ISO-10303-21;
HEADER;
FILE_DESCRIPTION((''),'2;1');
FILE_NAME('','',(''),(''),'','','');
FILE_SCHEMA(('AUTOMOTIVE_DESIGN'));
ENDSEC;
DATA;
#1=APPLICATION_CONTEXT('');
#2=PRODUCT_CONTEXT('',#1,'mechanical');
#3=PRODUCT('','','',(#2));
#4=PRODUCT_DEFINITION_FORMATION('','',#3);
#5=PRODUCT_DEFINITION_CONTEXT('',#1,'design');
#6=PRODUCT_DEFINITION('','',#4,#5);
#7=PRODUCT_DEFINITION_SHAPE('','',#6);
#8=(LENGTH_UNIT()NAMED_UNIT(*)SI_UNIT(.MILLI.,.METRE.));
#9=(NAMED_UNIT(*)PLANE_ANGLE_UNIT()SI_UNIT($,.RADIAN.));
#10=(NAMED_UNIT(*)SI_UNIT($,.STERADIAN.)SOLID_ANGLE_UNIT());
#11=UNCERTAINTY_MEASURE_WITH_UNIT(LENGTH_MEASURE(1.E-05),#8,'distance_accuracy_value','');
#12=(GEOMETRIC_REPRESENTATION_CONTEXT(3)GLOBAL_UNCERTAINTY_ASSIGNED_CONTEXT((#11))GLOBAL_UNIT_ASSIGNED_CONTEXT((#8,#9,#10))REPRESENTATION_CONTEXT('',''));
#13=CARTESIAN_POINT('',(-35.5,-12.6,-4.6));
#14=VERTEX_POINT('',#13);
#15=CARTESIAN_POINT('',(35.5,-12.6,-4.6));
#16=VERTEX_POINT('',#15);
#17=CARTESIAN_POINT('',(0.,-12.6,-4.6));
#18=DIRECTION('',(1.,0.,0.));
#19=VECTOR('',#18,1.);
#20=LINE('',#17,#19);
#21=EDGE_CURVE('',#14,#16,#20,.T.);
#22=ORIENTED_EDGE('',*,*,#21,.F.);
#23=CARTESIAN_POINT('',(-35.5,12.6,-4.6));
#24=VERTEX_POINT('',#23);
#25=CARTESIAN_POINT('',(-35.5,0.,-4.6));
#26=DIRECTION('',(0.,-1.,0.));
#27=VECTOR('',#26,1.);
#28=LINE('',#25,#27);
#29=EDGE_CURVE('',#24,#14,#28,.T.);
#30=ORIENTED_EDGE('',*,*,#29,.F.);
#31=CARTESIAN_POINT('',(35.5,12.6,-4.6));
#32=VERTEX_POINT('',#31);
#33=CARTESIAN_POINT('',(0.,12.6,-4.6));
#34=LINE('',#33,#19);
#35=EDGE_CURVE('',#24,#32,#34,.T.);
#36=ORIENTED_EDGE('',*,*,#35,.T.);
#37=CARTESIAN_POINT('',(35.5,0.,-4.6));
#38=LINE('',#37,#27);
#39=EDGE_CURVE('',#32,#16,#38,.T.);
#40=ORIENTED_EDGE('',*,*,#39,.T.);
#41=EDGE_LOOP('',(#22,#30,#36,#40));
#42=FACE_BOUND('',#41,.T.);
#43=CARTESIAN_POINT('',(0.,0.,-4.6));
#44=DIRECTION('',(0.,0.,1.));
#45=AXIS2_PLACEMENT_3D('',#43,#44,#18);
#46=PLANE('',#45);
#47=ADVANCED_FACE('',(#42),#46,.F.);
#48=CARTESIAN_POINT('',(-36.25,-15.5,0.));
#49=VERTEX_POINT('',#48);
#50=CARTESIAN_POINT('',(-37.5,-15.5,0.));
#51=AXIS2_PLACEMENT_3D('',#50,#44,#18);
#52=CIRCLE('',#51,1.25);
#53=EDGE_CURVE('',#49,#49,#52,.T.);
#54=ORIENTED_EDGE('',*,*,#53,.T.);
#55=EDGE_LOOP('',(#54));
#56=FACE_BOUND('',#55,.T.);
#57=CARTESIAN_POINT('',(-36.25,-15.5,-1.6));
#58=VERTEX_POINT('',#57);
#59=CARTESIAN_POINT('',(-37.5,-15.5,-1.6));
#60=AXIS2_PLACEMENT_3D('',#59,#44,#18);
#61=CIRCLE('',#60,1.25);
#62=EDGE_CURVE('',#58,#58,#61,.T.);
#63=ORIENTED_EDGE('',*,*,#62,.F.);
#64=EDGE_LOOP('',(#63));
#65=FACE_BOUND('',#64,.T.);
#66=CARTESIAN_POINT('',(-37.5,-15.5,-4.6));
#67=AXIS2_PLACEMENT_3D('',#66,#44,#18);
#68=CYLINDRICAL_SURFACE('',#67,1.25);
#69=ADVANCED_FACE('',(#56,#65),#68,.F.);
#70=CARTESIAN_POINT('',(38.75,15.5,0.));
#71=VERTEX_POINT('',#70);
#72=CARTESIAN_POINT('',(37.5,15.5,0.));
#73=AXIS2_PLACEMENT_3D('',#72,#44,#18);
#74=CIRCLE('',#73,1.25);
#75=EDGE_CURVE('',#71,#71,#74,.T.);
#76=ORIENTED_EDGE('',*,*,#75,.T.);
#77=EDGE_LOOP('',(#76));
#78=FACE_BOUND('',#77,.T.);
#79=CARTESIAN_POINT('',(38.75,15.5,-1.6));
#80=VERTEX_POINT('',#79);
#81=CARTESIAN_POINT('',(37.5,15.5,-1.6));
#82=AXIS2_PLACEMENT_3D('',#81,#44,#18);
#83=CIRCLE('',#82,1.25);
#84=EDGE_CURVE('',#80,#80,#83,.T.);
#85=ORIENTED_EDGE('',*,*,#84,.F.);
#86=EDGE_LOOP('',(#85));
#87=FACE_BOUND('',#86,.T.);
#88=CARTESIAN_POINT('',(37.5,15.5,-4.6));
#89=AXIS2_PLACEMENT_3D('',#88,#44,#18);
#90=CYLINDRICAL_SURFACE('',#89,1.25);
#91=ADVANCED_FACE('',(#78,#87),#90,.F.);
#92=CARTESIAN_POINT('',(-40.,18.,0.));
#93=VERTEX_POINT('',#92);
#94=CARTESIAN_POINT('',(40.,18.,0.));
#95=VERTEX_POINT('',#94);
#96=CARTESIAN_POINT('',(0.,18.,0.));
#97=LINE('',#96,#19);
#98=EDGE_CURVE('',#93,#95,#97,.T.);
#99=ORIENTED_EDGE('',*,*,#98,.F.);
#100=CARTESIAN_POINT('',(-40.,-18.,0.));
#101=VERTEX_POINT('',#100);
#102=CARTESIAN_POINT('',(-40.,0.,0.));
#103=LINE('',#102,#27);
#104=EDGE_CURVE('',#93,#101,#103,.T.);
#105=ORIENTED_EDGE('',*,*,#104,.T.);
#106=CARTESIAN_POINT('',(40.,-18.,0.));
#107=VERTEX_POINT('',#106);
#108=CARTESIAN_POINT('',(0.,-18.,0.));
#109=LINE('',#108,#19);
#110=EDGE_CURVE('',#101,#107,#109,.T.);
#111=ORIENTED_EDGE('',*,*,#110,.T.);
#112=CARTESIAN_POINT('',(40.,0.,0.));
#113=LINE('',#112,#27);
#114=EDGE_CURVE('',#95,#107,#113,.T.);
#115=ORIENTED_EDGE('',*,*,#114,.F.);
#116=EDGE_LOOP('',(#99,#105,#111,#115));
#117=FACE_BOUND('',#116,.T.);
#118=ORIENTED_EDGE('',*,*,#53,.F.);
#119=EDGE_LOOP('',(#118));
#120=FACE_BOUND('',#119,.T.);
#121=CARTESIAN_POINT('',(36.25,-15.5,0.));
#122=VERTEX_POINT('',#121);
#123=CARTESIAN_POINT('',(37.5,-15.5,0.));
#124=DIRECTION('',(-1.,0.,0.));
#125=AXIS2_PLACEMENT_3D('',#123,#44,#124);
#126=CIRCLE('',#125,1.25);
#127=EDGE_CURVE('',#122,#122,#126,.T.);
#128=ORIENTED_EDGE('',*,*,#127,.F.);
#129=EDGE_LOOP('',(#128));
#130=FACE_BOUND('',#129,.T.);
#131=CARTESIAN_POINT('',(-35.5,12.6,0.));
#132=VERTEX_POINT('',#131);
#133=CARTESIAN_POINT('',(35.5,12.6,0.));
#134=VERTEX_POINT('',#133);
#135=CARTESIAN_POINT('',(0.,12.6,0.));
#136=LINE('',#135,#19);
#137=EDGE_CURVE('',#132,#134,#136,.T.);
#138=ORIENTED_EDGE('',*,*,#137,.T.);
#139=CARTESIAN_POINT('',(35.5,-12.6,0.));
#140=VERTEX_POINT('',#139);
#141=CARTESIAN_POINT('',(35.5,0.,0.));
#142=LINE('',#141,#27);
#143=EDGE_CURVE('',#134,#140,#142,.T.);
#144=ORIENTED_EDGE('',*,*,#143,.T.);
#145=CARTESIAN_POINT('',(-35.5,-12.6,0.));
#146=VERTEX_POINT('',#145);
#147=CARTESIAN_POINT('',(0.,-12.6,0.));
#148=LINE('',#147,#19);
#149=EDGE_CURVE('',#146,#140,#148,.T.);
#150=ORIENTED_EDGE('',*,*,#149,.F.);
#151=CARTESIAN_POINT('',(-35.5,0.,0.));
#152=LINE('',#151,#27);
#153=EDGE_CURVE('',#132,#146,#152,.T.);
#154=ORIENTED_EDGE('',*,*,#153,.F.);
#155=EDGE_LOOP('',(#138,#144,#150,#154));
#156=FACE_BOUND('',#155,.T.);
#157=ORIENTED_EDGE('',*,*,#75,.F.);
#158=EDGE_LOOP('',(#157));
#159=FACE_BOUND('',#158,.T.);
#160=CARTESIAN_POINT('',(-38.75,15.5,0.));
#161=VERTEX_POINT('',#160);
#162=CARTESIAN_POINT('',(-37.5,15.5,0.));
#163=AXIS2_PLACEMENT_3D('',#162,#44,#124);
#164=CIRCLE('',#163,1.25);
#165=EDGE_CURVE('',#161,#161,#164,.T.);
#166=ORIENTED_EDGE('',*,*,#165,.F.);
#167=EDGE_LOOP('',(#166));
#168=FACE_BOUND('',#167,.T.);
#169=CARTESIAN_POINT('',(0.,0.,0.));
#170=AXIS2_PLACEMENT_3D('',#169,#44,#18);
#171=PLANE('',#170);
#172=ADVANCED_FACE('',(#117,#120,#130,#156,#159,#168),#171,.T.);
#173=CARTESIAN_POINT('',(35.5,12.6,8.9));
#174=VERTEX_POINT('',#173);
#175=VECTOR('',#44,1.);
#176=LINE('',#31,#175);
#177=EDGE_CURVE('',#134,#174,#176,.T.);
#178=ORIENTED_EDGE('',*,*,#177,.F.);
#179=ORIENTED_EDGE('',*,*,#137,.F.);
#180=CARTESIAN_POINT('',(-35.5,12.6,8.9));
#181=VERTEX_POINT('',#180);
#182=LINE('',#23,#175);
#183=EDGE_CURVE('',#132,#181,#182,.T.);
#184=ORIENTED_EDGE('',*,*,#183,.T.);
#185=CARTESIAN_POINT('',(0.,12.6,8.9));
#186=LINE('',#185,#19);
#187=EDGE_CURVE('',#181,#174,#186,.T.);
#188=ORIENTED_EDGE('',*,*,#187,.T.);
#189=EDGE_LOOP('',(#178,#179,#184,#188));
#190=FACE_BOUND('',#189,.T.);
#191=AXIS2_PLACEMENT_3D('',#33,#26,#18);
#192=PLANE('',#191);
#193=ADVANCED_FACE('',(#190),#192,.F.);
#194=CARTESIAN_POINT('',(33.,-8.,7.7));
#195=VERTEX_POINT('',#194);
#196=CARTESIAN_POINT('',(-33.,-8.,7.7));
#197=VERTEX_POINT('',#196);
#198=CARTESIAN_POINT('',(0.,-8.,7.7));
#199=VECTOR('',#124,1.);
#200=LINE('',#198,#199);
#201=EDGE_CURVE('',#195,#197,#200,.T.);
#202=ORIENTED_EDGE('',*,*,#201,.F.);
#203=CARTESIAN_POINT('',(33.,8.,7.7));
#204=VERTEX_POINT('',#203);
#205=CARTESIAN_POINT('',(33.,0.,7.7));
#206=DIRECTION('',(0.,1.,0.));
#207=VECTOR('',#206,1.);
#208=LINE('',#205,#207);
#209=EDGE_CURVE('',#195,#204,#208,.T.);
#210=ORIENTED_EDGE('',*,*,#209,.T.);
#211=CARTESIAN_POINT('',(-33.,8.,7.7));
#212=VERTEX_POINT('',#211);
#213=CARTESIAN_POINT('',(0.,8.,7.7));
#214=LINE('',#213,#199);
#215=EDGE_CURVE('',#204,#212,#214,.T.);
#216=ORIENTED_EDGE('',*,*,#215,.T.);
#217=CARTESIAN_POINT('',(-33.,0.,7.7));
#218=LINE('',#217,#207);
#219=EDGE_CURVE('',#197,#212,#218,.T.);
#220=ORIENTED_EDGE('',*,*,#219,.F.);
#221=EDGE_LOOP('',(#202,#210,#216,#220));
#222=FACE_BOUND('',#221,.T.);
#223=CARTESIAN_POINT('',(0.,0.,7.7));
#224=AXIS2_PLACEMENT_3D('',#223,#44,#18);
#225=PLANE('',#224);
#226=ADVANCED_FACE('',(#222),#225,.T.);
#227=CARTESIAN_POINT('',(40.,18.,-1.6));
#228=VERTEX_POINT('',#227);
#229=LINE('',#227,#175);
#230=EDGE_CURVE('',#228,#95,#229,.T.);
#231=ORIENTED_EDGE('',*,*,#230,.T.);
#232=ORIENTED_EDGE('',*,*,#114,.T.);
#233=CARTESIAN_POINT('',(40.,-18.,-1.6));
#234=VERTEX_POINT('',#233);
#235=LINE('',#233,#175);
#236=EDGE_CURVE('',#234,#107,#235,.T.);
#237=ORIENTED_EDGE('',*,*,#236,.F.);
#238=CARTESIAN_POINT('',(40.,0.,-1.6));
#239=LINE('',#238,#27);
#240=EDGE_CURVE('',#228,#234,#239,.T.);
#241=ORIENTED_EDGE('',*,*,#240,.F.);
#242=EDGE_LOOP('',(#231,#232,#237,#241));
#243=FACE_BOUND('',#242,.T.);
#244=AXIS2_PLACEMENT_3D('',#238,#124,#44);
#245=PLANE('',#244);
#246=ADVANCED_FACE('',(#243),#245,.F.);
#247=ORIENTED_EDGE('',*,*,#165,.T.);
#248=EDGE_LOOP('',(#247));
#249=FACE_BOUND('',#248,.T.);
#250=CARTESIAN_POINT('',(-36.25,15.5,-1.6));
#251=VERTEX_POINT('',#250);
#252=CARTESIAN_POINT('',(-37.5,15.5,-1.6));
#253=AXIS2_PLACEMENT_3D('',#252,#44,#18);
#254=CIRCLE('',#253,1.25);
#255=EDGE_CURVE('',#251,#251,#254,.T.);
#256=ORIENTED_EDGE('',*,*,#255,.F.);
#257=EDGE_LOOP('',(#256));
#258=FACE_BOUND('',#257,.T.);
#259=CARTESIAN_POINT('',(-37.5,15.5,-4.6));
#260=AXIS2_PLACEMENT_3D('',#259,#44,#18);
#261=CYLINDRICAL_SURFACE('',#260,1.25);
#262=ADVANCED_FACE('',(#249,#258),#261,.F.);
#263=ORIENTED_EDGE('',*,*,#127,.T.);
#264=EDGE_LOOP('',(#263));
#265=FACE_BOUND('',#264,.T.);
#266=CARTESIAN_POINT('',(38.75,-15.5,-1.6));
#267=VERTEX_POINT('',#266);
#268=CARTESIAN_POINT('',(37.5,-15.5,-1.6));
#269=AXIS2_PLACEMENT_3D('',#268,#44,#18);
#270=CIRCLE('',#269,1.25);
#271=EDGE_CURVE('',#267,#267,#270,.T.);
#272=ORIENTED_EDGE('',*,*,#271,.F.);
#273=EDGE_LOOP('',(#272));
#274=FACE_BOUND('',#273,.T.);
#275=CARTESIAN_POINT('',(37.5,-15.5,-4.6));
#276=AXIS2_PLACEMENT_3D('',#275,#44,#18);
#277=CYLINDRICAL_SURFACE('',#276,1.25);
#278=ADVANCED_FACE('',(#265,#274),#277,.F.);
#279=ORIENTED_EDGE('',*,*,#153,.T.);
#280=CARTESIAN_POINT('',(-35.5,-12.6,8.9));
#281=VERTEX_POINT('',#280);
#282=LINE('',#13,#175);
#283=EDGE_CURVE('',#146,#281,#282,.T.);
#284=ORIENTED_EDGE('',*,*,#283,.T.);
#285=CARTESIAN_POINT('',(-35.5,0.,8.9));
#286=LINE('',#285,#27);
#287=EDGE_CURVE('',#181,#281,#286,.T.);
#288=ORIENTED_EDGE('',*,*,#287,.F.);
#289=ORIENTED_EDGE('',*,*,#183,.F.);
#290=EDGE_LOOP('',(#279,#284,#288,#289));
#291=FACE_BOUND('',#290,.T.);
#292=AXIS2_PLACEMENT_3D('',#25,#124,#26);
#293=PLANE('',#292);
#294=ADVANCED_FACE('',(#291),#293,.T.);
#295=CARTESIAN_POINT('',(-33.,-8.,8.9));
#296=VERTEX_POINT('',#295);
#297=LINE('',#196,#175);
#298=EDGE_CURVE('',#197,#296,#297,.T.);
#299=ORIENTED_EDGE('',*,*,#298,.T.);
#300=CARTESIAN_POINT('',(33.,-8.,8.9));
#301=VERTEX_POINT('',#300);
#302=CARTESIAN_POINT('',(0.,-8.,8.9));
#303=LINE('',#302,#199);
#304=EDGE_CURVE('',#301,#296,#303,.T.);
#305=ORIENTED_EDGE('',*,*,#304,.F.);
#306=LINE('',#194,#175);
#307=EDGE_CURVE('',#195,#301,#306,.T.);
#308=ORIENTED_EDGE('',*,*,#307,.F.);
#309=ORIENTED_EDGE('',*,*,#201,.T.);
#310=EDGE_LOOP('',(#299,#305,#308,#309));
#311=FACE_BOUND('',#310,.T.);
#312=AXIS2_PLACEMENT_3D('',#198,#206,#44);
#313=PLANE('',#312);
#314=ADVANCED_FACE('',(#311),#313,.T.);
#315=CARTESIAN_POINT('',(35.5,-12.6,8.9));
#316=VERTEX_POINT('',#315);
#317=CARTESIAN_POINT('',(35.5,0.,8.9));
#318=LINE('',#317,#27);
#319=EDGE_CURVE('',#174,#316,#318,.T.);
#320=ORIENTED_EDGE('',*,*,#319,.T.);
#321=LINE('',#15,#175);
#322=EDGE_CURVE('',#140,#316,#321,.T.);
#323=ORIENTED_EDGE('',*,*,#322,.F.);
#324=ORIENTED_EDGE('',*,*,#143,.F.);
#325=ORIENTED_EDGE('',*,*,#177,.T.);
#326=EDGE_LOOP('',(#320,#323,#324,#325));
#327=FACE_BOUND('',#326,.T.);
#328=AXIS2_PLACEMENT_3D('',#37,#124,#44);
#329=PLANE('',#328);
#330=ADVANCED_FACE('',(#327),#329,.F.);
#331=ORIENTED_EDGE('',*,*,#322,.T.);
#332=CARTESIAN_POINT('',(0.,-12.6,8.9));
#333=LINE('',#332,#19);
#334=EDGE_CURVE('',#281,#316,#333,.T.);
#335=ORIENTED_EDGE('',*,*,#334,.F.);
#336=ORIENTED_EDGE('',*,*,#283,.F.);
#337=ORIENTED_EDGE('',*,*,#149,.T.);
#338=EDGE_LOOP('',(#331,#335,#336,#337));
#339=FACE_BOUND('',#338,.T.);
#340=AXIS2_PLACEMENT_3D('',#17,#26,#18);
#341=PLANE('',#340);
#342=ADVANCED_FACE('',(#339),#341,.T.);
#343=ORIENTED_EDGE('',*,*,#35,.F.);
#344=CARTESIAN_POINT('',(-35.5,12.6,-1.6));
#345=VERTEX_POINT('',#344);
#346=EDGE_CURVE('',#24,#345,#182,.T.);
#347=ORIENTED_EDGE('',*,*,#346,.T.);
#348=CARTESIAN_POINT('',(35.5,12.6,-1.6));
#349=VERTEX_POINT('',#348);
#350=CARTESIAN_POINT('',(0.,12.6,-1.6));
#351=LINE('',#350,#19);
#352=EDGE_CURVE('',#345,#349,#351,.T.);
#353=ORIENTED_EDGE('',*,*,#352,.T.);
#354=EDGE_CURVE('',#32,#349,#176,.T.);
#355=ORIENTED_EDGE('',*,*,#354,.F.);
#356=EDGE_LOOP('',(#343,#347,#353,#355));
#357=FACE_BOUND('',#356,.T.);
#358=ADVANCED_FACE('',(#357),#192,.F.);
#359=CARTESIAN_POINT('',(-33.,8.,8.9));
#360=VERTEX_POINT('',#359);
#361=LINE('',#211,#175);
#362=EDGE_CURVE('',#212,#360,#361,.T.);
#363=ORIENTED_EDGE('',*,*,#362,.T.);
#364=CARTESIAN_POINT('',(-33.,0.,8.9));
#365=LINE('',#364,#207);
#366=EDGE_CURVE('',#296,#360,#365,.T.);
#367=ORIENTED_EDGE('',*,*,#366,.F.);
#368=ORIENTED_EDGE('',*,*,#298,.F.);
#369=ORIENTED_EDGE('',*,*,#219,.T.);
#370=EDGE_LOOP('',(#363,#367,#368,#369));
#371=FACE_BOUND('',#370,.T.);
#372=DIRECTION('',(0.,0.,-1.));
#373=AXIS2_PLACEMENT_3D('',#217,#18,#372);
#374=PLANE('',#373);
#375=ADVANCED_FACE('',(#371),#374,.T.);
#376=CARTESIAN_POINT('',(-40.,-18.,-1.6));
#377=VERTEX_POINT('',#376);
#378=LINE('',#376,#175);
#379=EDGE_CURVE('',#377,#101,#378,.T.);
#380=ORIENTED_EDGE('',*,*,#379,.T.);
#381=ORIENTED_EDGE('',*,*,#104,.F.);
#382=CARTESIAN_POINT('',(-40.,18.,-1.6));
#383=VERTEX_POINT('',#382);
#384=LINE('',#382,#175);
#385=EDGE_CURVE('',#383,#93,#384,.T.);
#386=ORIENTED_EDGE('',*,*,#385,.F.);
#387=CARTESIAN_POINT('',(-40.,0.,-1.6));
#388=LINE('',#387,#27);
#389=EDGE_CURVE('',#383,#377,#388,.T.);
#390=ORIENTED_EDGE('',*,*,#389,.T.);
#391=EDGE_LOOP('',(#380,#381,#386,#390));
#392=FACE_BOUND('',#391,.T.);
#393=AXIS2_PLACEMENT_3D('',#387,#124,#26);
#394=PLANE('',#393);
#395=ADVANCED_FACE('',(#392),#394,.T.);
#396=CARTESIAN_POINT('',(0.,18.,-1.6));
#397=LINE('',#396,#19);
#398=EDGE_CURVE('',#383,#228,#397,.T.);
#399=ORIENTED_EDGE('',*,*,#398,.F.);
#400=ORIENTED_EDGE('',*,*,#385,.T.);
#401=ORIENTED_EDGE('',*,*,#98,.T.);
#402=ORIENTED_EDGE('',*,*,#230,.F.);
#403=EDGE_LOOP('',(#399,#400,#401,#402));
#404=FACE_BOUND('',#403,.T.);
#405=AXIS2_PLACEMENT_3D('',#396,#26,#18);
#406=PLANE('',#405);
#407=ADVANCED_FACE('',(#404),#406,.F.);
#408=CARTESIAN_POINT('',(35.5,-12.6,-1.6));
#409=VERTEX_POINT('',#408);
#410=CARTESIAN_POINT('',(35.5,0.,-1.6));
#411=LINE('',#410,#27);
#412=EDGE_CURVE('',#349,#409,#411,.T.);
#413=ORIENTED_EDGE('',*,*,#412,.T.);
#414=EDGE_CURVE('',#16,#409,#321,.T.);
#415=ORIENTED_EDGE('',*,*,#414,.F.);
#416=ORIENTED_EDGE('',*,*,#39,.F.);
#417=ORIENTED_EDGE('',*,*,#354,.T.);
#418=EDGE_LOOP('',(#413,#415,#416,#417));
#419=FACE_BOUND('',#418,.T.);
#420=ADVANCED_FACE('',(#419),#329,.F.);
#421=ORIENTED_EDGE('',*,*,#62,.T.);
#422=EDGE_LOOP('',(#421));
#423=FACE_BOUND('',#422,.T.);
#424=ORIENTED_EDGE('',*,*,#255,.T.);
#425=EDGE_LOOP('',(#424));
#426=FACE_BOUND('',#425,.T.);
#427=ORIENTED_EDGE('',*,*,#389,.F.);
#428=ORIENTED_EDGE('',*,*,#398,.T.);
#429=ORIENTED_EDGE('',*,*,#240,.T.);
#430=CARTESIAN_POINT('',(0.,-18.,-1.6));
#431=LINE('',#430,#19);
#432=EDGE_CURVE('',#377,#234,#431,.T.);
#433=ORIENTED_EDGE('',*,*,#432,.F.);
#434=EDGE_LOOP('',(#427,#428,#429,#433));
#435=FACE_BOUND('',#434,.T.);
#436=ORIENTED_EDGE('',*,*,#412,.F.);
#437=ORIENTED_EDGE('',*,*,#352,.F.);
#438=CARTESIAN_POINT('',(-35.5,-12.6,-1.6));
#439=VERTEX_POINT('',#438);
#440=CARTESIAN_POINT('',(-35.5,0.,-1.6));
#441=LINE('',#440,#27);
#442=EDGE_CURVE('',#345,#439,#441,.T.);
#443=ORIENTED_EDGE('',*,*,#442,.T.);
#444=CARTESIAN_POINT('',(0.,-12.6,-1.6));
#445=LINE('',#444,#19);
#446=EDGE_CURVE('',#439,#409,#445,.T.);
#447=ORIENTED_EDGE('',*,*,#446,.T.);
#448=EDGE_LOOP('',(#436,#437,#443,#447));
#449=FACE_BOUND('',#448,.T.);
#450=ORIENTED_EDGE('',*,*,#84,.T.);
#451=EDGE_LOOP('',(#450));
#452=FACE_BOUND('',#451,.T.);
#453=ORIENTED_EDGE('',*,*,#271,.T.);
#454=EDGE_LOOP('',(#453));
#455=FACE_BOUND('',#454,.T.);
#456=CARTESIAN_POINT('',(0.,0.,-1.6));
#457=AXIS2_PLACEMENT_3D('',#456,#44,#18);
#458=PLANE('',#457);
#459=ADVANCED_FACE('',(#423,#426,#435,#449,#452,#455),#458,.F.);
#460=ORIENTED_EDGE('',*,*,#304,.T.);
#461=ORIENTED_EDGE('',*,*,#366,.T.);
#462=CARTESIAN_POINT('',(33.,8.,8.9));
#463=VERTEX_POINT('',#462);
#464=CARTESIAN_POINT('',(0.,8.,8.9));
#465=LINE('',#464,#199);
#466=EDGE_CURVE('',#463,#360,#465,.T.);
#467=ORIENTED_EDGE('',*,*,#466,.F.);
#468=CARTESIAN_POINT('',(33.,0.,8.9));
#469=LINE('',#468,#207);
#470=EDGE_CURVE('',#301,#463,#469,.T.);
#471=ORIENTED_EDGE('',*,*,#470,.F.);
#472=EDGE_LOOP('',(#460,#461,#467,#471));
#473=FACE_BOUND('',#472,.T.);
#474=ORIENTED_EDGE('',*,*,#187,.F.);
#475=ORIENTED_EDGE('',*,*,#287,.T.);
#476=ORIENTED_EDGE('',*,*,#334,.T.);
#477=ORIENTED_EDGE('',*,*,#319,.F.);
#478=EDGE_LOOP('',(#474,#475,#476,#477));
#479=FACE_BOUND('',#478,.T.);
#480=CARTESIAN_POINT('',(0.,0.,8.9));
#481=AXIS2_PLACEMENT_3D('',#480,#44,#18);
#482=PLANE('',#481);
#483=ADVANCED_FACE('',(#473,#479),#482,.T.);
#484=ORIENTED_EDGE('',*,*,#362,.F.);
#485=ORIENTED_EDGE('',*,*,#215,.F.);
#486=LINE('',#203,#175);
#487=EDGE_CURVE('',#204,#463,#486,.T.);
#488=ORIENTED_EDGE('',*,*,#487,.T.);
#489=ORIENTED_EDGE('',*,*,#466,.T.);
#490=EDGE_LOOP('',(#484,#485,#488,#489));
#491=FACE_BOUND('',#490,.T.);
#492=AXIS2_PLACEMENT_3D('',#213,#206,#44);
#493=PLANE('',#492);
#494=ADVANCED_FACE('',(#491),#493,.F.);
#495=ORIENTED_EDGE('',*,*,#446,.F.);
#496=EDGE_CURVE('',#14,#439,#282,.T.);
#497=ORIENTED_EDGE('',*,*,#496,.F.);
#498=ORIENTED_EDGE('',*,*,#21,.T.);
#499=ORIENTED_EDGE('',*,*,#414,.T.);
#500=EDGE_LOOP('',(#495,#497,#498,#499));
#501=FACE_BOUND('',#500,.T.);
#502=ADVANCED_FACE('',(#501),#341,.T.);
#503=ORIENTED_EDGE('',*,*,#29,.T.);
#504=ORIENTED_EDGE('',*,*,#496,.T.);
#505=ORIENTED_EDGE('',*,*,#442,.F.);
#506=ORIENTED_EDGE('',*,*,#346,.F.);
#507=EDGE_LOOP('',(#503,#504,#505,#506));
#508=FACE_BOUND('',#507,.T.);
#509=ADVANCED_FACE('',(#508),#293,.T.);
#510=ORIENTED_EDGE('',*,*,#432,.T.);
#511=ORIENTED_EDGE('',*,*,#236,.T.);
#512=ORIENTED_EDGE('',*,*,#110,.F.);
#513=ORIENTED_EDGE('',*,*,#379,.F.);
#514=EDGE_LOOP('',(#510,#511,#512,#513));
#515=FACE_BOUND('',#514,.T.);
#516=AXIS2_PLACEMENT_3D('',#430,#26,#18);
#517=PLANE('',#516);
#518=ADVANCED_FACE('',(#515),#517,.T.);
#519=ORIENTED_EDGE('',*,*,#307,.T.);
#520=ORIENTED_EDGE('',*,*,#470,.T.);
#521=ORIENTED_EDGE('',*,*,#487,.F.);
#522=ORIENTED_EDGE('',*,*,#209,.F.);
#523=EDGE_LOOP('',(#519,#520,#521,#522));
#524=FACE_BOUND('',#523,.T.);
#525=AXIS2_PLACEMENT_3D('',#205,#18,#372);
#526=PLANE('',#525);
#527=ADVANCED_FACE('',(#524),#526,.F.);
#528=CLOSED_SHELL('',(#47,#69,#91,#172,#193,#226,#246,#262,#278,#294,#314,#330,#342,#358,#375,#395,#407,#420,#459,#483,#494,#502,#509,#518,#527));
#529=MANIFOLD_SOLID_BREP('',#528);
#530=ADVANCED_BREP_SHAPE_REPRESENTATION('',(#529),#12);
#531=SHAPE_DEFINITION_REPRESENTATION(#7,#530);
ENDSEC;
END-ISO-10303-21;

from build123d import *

# Parameters (mm, degrees)
SKETCH2_W           = 80
SKETCH2_H           = 36
SKETCH2_W_2         = 71
SKETCH2_H_2         = 25.2
SKETCH2_W_3         = 66
SKETCH2_H_3         = 16
BOSS_EXTRUDE1_DEPTH = 1.6
BOSS_EXTRUDE2_START = 8.9
SKETCH2_3_W         = 71
SKETCH2_3_H         = 25.2
SKETCH2_3_W_2       = 66
SKETCH2_3_H_2       = 16
BOSS_EXTRUDE2_DEPTH = 13.5
CUT_EXTRUDE1_START  = 8.9
SKETCH2_4_W         = 66
SKETCH2_4_H         = 16
CUT_EXTRUDE1_DEPTH  = 1.2
SKETCH3_R           = 1.25
CUT_EXTRUDE2_DEPTH  = 45.757234052


with BuildPart() as part:
    # Sketch2 → Boss-Extrude1 (new body)
    # profile 1 of 3: a face of its own
    with BuildSketch(Plane.XY):
        Rectangle(SKETCH2_W, SKETCH2_H)
        Rectangle(SKETCH2_W_2, SKETCH2_H_2, mode=Mode.SUBTRACT)
    # profile 2 of 3: a face of its own
    with BuildSketch(Plane.XY):
        Rectangle(SKETCH2_W_2, SKETCH2_H_2)
        Rectangle(SKETCH2_W_3, SKETCH2_H_3, mode=Mode.SUBTRACT)
    # profile 3 of 3: a face of its own
    with BuildSketch(Plane.XY):
        Rectangle(SKETCH2_W_3, SKETCH2_H_3)
    extrude(amount=-BOSS_EXTRUDE1_DEPTH)

    # Sketch2<3> → Boss-Extrude2 (add)
    # profile 1 of 2: a face of its own
    with BuildSketch(Plane.XY.offset(BOSS_EXTRUDE2_START)):
        Rectangle(SKETCH2_3_W, SKETCH2_3_H)
        Rectangle(SKETCH2_3_W_2, SKETCH2_3_H_2, mode=Mode.SUBTRACT)
    # profile 2 of 2: a face of its own
    with BuildSketch(Plane.XY.offset(BOSS_EXTRUDE2_START)):
        Rectangle(SKETCH2_3_W_2, SKETCH2_3_H_2)
    extrude(amount=-BOSS_EXTRUDE2_DEPTH)

    # Sketch2<4> → Cut-Extrude1 (cut)
    with BuildSketch(Plane.XY.offset(CUT_EXTRUDE1_START)):
        Rectangle(SKETCH2_4_W, SKETCH2_4_H)
    extrude(amount=-CUT_EXTRUDE1_DEPTH, mode=Mode.SUBTRACT)

    # Sketch3 → Cut-Extrude2 (cut, through all)
    with BuildSketch(Plane.XY):
        with Locations((37.5, 15.5)):
            Circle(SKETCH3_R)
        with Locations((-37.5, 15.5)):
            Circle(SKETCH3_R)
        with Locations((37.5, -15.5)):
            Circle(SKETCH3_R)
        with Locations((-37.5, -15.5)):
            Circle(SKETCH3_R)
    extrude(amount=-CUT_EXTRUDE2_DEPTH, mode=Mode.SUBTRACT)


solid = part.part
